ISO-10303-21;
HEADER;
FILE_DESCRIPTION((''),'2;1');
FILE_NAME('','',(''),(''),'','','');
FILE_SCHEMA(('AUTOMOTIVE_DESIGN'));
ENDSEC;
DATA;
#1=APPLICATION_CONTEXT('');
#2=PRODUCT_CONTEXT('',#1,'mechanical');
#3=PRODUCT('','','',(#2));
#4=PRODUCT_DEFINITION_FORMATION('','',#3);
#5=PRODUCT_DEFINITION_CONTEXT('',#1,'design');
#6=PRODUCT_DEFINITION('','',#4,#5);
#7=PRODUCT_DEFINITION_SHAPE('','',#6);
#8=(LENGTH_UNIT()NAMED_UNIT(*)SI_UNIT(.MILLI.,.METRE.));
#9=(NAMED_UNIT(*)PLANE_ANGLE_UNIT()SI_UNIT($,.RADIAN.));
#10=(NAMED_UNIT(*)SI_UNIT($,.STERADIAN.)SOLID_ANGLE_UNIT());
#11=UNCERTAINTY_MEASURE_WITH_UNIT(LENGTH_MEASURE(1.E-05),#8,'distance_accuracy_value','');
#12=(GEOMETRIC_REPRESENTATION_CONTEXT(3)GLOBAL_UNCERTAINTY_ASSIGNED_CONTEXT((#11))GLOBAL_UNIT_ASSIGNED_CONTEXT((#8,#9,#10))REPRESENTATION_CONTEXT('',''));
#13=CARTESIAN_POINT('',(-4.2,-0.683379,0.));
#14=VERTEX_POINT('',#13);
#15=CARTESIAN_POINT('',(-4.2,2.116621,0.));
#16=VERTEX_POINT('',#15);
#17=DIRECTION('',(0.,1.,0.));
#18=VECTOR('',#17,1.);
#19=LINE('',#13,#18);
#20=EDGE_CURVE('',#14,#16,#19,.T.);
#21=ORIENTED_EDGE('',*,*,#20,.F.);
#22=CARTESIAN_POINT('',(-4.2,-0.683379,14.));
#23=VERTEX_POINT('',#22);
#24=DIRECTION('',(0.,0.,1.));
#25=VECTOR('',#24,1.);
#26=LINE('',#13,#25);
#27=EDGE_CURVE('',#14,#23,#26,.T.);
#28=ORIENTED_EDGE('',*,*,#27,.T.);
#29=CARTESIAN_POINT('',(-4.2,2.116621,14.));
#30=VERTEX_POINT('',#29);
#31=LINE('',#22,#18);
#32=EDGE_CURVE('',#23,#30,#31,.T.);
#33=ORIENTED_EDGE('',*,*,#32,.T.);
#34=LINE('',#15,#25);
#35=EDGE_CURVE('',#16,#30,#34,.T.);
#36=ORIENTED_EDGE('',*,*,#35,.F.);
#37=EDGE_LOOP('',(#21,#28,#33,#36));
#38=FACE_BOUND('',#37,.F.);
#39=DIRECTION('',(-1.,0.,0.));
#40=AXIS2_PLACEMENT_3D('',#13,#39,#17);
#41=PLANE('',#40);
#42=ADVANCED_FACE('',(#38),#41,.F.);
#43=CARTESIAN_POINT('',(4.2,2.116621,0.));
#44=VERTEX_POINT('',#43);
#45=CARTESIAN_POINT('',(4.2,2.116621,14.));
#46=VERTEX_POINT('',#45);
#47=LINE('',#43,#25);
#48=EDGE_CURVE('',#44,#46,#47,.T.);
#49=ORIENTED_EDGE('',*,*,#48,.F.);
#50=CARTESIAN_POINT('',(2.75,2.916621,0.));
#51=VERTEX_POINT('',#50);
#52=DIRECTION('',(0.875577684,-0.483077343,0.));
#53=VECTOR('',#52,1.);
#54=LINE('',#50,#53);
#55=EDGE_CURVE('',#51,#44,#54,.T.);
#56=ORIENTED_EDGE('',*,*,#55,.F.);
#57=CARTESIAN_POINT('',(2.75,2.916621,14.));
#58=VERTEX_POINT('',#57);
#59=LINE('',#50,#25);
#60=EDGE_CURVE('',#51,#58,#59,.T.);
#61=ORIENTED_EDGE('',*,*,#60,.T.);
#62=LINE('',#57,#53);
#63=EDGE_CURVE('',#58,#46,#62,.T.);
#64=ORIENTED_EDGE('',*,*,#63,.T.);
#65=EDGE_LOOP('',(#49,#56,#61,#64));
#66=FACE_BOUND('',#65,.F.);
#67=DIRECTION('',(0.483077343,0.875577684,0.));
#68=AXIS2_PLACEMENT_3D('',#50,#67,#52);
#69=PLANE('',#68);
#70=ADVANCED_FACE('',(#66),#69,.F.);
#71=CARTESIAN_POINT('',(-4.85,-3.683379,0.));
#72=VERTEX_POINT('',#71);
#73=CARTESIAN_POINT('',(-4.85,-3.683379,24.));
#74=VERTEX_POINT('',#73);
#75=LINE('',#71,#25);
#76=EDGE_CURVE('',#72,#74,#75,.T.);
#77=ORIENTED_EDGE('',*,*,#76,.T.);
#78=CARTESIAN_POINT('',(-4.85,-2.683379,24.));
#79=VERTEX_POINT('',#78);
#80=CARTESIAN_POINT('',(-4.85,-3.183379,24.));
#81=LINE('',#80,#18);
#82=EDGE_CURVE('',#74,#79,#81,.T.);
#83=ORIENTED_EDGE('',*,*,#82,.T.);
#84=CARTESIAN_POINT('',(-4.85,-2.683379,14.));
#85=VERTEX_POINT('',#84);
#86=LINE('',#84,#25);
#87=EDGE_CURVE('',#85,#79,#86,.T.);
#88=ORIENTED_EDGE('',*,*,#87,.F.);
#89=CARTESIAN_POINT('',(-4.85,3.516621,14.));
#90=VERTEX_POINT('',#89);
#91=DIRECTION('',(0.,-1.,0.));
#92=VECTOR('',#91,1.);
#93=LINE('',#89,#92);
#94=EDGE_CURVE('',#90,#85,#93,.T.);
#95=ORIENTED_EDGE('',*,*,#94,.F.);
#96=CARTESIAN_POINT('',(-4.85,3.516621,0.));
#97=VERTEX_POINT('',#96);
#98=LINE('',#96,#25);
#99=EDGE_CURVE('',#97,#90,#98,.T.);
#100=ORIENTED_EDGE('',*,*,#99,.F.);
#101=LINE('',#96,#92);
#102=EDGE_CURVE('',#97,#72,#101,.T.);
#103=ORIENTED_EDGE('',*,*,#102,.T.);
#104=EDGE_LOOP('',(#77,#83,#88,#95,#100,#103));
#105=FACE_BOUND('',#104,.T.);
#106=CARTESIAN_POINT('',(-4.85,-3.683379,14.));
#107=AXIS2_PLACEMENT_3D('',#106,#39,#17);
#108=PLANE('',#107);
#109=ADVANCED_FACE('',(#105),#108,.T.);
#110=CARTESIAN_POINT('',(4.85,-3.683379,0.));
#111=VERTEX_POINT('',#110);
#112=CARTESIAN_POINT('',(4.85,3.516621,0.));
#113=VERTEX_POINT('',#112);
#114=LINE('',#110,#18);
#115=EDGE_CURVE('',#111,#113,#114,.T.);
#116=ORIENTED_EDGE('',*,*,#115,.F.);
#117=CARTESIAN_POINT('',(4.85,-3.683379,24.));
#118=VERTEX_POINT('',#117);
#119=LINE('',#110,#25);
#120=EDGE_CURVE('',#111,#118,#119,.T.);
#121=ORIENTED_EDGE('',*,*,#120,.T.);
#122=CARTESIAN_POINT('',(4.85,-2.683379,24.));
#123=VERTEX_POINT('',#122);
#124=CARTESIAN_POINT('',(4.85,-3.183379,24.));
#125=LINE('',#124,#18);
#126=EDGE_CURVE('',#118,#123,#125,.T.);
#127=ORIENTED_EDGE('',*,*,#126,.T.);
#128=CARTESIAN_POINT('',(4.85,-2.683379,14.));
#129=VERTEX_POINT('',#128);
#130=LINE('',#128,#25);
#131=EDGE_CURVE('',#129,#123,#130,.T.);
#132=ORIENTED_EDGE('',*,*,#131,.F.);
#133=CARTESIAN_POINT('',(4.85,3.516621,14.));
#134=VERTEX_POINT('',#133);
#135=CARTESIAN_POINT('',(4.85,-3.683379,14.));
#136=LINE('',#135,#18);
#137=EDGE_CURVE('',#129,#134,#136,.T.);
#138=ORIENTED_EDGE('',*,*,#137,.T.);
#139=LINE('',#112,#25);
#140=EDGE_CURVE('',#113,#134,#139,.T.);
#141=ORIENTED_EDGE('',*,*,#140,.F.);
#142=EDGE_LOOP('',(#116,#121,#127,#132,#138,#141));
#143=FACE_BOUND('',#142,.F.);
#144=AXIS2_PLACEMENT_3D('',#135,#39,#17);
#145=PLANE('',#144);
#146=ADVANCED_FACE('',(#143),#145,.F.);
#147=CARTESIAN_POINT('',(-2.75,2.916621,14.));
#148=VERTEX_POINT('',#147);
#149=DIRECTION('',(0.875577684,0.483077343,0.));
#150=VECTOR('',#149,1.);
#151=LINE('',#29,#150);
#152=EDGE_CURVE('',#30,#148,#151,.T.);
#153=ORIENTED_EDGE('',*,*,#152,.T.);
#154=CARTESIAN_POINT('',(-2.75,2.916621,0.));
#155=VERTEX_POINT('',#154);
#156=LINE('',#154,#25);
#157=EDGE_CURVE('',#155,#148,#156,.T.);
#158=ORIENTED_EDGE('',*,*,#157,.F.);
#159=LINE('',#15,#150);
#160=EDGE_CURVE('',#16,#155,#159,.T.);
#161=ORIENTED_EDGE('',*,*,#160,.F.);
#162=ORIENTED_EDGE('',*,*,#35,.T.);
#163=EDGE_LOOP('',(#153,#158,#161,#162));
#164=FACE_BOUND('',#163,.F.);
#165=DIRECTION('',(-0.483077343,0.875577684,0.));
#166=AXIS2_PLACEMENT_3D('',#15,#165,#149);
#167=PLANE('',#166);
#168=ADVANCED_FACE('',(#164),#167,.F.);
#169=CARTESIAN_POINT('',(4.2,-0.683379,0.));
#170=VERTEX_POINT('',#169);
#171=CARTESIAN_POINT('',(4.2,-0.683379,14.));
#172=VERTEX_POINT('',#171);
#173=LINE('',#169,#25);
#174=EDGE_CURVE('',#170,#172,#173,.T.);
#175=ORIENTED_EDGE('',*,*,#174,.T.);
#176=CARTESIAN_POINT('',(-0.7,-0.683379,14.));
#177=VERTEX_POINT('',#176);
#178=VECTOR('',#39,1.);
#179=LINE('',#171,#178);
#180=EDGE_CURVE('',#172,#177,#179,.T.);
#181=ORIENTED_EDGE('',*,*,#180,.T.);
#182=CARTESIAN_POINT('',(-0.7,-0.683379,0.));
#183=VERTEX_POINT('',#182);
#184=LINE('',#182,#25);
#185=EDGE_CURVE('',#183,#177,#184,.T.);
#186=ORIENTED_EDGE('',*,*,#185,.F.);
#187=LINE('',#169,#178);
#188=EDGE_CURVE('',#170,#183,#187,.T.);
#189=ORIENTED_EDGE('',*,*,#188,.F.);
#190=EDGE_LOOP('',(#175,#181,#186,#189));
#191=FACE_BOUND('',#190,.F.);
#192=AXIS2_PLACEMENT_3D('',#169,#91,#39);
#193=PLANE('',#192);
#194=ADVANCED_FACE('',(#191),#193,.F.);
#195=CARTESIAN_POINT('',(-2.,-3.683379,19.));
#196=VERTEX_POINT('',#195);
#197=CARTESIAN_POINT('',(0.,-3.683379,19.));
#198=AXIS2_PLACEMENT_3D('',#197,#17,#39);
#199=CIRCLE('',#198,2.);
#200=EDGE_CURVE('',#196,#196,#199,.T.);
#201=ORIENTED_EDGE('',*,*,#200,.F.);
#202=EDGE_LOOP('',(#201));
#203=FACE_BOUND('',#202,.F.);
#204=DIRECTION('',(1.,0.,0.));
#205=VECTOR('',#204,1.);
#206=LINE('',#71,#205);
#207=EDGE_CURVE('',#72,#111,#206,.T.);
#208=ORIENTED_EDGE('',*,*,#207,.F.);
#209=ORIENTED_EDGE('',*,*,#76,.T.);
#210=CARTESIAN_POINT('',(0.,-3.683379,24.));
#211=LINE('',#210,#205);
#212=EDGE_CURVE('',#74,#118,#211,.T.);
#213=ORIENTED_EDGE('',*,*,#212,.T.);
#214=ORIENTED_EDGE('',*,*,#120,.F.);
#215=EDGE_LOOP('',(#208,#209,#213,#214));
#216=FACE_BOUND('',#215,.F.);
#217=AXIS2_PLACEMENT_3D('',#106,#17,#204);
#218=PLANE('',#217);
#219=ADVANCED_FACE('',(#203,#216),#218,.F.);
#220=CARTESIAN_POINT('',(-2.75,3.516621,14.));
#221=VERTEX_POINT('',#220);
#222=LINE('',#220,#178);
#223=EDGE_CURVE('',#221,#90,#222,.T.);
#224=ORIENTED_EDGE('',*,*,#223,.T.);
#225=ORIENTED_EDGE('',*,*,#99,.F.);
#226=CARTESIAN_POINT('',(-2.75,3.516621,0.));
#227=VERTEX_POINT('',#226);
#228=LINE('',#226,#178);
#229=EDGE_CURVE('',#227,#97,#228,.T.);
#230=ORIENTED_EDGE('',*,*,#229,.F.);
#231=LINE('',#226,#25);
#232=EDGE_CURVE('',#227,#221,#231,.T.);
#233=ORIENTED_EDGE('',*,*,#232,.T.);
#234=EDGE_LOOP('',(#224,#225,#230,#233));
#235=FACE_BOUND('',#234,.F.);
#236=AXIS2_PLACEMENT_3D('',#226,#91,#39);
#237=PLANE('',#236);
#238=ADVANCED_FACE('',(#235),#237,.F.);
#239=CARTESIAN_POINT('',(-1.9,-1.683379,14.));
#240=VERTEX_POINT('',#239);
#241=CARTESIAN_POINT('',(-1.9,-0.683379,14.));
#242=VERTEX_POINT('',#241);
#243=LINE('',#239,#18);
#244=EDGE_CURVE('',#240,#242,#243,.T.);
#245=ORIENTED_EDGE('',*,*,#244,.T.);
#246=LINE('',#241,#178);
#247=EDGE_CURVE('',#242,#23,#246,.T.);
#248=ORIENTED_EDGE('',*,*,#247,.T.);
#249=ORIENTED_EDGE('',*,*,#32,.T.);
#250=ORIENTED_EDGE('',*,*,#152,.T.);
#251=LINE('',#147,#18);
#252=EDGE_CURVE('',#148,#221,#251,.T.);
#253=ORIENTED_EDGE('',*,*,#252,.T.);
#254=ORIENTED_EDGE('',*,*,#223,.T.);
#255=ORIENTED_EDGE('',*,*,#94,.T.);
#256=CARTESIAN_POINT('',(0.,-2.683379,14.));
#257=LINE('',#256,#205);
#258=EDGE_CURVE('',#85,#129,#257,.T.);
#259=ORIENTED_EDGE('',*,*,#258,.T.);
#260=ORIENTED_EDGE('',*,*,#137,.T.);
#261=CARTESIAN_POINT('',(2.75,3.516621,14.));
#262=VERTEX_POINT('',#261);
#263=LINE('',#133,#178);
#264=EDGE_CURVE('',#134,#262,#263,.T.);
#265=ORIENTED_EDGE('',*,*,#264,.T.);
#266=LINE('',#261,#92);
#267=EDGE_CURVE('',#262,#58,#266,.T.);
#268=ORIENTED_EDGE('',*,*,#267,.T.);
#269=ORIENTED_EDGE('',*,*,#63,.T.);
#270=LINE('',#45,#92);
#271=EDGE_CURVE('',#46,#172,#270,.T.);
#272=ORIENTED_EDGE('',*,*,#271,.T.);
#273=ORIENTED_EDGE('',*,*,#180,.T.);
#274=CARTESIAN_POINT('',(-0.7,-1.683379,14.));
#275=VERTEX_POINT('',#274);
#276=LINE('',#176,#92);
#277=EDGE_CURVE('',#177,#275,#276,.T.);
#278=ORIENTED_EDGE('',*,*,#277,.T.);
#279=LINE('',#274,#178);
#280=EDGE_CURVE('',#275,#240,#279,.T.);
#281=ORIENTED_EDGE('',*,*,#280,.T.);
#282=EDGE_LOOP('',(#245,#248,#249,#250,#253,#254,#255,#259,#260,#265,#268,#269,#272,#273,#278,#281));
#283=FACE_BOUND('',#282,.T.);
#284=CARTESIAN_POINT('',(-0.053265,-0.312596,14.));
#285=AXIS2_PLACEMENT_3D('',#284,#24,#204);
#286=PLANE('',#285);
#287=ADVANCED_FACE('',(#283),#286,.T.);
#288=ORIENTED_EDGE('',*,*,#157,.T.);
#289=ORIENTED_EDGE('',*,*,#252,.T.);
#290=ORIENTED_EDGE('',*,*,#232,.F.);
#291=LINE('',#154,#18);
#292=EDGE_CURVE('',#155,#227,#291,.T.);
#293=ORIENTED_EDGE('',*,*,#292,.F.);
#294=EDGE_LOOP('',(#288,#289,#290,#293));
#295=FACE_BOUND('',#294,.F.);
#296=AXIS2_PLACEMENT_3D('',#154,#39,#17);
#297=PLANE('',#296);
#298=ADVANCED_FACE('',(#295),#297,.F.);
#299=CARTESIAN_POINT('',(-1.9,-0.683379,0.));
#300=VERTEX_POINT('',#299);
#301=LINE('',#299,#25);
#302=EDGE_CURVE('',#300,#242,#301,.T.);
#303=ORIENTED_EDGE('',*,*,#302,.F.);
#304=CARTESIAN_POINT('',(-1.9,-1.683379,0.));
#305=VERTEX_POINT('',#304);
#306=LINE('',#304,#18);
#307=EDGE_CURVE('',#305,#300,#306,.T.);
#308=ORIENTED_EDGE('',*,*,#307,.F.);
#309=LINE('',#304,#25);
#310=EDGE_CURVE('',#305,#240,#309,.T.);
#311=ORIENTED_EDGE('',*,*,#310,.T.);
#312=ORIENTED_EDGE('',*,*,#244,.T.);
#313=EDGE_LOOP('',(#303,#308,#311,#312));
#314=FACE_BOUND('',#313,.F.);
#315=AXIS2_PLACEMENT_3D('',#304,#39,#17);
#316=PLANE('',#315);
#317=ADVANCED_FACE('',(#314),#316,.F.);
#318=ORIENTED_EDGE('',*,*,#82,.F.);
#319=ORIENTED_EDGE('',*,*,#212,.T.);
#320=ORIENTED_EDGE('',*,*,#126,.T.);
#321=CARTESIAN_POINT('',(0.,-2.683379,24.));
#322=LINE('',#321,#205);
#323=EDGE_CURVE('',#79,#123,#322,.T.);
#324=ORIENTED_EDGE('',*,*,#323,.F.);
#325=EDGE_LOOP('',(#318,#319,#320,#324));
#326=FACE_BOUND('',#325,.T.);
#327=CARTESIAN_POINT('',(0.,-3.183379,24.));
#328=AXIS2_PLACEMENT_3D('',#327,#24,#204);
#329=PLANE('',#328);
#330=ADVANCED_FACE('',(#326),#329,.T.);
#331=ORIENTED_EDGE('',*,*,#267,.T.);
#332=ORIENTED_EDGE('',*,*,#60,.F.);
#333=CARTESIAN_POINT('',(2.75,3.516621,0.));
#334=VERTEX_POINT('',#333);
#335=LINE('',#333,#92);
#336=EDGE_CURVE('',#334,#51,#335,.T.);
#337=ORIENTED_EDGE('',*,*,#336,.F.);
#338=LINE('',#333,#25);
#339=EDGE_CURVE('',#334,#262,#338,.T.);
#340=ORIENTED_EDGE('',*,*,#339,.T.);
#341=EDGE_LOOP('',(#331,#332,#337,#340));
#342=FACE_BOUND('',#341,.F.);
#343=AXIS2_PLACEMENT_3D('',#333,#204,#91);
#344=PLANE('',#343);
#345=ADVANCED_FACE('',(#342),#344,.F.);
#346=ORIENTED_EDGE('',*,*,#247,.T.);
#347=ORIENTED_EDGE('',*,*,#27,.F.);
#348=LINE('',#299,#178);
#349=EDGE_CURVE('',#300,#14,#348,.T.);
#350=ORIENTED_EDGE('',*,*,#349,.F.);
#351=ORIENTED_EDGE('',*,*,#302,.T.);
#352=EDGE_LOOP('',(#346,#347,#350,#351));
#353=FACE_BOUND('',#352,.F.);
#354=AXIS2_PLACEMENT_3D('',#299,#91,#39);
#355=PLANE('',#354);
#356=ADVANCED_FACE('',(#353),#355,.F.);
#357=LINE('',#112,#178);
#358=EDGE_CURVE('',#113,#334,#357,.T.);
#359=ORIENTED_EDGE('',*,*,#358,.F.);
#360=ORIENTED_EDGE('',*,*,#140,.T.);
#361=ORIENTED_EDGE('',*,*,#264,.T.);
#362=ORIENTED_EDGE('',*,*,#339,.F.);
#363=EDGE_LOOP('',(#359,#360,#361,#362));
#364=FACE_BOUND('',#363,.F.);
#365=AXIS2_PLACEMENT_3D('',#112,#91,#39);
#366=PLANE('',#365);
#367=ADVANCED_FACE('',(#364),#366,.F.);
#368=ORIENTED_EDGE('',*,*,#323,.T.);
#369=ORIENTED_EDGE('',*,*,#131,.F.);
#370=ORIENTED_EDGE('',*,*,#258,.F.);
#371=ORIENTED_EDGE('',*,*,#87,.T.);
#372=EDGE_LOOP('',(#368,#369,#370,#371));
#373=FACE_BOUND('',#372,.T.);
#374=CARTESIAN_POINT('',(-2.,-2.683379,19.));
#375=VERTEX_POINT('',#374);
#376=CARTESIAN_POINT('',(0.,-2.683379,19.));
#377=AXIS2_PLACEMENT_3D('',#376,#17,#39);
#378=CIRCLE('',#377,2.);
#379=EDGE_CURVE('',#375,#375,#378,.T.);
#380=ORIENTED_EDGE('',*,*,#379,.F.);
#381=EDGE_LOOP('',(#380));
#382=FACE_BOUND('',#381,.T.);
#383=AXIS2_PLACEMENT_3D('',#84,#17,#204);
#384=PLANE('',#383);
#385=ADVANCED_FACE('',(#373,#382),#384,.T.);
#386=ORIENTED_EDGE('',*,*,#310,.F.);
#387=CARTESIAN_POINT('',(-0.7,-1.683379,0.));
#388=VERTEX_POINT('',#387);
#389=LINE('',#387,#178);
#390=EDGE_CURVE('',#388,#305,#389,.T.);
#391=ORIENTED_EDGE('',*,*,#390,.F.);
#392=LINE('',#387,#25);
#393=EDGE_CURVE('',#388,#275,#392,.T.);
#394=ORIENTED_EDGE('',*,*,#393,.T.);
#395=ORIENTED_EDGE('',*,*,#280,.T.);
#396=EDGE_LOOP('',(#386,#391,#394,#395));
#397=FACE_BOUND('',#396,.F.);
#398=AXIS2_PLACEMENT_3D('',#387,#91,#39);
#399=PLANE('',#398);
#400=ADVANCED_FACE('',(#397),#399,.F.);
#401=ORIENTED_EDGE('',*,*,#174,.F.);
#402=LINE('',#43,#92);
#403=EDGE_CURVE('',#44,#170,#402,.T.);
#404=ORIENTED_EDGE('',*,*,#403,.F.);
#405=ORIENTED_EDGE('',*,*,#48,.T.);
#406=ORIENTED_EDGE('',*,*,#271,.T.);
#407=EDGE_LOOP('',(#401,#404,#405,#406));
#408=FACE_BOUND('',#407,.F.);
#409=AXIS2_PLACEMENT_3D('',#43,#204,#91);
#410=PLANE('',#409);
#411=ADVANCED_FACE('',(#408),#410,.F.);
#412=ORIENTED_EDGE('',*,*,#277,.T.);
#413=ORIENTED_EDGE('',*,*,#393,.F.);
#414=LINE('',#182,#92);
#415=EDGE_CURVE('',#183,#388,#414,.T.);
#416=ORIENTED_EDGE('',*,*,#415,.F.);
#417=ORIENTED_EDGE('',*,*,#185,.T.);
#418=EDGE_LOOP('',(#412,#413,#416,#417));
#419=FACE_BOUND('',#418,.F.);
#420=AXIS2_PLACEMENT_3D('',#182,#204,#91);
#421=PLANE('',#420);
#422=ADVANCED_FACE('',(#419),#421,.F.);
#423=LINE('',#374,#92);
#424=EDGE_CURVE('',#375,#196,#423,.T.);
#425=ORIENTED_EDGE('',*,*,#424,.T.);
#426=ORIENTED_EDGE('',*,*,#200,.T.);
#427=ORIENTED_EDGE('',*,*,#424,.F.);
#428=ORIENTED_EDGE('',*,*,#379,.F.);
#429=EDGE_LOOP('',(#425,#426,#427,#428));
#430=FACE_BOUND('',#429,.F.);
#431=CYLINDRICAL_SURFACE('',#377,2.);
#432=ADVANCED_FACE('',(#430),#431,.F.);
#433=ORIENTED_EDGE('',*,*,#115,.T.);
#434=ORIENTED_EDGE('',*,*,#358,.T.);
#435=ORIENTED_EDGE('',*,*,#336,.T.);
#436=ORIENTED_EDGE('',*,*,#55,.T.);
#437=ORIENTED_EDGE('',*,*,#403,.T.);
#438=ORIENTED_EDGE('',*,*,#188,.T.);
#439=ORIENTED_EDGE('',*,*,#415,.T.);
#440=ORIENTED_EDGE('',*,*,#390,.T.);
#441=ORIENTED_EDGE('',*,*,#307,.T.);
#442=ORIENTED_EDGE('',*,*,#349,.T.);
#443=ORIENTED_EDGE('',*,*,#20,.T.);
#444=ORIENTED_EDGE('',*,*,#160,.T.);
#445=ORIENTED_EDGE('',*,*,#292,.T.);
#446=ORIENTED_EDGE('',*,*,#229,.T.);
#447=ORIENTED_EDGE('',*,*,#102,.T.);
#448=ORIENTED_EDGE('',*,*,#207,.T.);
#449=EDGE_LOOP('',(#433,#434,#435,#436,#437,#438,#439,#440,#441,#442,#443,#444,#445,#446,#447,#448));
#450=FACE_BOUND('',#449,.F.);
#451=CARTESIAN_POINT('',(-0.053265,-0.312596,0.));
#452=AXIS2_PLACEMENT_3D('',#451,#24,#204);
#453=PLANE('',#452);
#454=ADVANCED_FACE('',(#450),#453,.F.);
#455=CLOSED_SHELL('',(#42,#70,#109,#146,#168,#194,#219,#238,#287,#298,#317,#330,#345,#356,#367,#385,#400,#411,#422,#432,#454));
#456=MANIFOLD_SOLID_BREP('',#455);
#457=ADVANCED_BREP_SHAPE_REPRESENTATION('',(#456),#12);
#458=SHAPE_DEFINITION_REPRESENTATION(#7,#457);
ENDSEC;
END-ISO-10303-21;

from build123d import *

# Parameters (mm, degrees)
PAD_DEPTH    = 14
SKETCH001_W  = 9.7
SKETCH001_H  = 1
PAD001_DEPTH = 10
SKETCH002_R  = 2
POCKET_DEPTH = 5


with BuildPart() as part:
    # Sketch → Pad (new body)
    with BuildSketch(Plane.XY):
        Polygon((-2.75, 3.516621), (-4.85, 3.516621), (-4.85, -3.683379), (4.85, -3.683379), (4.85, 3.516621), (2.75, 3.516621), (2.75, 2.916621), (4.2, 2.116621), (4.2, -0.683379), (-0.7, -0.683379), (-0.7, -1.683379), (-1.9, -1.683379), (-1.9, -0.683379), (-4.2, -0.683379), (-4.2, 2.116621), (-2.75, 2.916621), align=None)
    extrude(amount=PAD_DEPTH)

    # Sketch001 → Pad001 (new body)
    with BuildSketch(Plane.XY.offset(14)):
        with Locations((0, -3.183379)):
            Rectangle(SKETCH001_W, SKETCH001_H)
    extrude(amount=PAD001_DEPTH)

    # Sketch002 → Pocket (cut)
    with BuildSketch(Plane(origin=(0, -2.683379, 0), x_dir=(-1, 0, 0), z_dir=(0, 1, 0))):
        with Locations((0, 19)):
            Circle(SKETCH002_R)
    extrude(amount=-POCKET_DEPTH, mode=Mode.SUBTRACT)


solid = part.part
